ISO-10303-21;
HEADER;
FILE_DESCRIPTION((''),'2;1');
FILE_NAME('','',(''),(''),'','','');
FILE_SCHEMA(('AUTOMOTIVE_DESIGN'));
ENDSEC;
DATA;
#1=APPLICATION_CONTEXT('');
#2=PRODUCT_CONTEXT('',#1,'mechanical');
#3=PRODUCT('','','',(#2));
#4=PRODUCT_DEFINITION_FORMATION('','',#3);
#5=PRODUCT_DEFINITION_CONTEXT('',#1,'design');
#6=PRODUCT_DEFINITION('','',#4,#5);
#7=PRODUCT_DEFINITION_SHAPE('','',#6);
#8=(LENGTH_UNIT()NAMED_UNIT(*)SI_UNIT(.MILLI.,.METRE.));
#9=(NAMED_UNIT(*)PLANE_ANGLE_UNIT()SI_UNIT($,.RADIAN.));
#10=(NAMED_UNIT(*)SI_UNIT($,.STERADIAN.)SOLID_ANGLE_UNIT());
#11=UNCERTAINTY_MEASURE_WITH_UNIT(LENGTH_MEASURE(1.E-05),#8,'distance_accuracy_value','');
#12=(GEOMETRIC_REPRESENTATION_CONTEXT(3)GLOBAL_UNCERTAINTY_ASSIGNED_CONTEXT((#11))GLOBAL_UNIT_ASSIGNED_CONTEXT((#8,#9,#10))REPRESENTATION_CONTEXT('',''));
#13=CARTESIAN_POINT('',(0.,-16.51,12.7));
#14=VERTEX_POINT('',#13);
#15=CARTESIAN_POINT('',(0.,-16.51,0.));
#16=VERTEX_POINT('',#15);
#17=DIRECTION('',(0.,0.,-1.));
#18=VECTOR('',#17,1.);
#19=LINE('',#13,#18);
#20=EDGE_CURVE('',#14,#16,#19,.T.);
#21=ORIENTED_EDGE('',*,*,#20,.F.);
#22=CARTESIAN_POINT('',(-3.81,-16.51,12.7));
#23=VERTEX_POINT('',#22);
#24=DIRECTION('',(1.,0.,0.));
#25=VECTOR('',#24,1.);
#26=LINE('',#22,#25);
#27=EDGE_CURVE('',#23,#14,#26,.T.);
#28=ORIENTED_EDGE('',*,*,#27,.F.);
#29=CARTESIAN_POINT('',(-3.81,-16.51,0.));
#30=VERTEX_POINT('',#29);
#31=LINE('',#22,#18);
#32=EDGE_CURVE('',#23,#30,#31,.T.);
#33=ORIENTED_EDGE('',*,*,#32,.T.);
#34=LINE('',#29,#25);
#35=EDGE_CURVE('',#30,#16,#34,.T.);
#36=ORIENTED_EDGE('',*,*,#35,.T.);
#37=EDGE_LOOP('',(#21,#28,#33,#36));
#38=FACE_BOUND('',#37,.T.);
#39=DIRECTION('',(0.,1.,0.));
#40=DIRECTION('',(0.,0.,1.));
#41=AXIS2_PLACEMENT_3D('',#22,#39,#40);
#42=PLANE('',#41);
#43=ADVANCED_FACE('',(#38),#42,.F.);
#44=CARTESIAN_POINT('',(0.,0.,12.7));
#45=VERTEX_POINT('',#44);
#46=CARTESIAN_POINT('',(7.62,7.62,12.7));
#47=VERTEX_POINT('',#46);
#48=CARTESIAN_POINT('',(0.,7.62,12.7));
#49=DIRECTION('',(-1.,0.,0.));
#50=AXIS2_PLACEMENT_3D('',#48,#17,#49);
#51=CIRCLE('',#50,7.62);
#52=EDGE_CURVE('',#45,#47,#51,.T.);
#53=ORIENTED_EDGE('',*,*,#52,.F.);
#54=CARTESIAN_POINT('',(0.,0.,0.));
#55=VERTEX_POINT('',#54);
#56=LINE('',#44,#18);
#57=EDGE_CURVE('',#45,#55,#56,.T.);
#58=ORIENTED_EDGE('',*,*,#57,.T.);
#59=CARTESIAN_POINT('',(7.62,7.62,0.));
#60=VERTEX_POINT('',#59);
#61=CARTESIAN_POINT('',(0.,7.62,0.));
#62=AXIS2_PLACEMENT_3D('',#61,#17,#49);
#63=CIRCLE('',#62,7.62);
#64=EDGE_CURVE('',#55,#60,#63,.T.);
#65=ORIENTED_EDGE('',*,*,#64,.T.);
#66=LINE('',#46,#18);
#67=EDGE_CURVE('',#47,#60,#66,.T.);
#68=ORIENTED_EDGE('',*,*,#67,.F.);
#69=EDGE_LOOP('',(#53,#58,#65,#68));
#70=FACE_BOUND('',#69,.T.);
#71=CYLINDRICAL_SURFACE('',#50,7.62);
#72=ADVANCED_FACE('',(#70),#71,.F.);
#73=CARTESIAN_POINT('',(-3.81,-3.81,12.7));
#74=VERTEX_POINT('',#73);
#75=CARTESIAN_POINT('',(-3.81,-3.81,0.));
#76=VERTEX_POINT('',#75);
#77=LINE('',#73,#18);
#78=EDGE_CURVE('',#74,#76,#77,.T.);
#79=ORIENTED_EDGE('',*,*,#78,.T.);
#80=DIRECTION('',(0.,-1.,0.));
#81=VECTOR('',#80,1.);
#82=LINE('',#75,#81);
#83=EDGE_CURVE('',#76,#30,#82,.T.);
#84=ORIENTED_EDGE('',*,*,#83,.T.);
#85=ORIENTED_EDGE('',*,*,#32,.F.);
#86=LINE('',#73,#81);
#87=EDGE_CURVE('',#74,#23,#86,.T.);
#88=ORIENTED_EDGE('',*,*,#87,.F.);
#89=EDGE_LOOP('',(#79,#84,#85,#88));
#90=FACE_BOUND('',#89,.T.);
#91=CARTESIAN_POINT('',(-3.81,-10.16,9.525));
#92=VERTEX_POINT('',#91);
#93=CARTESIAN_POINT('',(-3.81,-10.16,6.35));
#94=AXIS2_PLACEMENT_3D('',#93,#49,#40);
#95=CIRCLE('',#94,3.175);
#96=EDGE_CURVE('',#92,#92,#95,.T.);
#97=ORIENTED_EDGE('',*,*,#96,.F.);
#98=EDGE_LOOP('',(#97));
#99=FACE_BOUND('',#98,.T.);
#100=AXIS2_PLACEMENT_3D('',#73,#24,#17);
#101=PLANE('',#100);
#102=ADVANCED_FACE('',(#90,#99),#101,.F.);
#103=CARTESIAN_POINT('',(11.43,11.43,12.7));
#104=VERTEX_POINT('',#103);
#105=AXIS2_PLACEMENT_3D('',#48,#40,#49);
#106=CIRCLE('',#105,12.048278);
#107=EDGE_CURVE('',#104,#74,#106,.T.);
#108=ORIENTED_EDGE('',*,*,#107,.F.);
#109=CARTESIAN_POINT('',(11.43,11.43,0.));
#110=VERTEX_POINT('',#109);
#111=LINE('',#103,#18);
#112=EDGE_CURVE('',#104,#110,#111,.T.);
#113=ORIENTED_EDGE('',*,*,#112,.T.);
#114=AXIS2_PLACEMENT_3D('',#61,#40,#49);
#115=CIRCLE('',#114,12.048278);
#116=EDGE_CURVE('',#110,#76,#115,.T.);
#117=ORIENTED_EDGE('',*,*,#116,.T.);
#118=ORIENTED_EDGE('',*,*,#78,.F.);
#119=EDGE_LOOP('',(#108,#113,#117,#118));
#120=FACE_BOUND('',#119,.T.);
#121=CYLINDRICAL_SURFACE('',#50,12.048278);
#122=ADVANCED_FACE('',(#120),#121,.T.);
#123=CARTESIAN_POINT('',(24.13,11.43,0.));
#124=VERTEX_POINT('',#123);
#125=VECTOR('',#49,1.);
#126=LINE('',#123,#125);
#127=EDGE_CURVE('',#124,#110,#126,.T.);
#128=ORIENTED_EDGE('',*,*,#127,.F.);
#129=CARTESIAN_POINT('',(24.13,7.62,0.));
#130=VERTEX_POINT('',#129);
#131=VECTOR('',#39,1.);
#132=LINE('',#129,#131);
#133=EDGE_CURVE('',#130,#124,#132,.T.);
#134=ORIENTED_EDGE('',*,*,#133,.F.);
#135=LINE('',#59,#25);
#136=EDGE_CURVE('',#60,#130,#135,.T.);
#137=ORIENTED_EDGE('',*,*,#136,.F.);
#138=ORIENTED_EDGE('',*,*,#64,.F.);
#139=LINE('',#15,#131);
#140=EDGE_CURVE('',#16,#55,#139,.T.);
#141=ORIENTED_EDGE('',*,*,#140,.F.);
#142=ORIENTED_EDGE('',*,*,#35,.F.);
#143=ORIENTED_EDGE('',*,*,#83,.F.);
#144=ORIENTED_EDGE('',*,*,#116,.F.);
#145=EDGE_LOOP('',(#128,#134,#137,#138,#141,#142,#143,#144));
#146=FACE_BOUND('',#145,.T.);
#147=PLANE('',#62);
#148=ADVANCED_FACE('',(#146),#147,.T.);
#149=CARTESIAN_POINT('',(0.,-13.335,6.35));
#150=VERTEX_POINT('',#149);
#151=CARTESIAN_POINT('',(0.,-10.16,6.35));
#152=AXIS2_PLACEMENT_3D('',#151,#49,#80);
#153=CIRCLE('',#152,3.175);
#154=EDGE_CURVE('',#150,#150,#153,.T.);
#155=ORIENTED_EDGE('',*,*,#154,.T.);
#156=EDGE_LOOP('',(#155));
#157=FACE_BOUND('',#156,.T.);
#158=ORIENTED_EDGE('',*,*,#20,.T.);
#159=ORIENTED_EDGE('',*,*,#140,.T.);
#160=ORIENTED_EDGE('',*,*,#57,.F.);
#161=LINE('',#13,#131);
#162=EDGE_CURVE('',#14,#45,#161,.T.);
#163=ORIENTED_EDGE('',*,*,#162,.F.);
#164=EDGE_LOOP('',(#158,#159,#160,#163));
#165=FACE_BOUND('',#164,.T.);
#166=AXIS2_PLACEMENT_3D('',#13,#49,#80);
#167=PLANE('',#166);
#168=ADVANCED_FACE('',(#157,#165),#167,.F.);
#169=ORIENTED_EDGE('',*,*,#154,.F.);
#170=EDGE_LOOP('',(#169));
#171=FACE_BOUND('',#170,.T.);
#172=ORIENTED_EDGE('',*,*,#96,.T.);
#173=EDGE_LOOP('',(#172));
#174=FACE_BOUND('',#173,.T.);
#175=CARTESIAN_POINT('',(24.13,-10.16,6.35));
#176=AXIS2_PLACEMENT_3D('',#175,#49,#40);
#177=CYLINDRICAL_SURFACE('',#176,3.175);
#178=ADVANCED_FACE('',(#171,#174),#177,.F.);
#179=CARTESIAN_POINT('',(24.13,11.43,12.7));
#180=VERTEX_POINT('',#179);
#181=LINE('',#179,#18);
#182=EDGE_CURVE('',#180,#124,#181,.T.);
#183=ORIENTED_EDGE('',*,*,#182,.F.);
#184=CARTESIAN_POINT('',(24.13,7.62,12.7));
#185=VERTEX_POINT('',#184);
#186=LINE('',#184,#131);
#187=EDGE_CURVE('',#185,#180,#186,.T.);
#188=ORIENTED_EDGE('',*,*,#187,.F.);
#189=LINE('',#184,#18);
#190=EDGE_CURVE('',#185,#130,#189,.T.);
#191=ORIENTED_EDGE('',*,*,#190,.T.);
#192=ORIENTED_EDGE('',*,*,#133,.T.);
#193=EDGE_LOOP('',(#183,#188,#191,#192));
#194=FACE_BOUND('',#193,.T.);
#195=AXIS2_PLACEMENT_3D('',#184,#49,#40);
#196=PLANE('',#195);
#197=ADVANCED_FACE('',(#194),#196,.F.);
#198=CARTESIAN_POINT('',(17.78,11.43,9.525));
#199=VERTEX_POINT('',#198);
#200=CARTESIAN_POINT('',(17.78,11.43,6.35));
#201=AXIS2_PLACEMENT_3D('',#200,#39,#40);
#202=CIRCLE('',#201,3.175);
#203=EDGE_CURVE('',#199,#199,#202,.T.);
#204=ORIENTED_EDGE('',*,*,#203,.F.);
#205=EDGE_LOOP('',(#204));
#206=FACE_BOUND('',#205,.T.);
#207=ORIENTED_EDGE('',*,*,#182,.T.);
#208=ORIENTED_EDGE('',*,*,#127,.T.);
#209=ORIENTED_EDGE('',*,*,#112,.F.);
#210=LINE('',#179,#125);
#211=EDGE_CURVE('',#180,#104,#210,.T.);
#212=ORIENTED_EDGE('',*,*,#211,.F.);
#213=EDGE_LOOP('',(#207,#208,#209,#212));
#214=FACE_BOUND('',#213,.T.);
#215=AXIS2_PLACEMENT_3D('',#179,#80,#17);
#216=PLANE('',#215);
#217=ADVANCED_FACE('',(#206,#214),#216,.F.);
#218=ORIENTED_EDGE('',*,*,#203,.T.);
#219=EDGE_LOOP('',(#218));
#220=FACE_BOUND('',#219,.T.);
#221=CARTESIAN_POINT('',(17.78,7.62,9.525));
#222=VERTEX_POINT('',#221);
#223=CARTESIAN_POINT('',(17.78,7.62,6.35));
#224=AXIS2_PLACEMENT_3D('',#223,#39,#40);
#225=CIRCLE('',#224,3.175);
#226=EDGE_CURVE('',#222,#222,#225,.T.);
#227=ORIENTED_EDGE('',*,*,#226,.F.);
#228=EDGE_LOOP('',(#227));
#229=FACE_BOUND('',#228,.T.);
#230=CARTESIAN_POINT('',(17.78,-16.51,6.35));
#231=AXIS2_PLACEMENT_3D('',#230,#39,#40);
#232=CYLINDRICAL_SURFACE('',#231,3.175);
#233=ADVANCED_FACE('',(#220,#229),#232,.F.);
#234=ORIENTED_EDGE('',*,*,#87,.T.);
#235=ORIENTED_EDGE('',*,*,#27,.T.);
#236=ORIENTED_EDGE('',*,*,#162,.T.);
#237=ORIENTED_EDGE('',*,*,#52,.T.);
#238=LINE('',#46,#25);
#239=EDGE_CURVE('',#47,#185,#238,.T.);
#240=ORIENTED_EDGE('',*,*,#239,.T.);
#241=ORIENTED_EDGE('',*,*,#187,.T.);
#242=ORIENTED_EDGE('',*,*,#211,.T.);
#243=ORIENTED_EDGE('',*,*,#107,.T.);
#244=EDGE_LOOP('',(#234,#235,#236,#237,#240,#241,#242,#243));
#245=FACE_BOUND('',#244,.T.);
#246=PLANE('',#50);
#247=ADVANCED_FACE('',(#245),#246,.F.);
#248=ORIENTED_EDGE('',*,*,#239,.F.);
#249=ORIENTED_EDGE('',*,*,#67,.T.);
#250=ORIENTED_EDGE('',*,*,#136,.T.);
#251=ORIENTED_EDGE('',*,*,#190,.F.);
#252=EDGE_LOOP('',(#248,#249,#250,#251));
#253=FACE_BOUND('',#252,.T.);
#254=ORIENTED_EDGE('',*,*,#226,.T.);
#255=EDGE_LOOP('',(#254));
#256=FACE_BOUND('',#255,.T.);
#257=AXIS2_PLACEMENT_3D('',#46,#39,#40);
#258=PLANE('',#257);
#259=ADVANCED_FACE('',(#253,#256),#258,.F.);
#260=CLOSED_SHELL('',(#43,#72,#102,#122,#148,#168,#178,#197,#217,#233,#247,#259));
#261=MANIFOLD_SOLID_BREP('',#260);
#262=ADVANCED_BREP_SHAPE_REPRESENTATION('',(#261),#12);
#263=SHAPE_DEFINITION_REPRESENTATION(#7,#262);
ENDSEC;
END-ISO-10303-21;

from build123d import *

# Parameters (mm, degrees)
BOSS_EXTRUDE1_DEPTH = 12.7
SKETCH2_R           = 3.175
CUT_EXTRUDE1_DEPTH  = 40.040882418
SKETCH3_R           = 3.175
CUT_EXTRUDE2_DEPTH  = 37.452362817


with BuildPart() as part:
    # Sketch1 → Boss-Extrude1 (new body)
    with BuildSketch(Plane.XY):
        with BuildLine():
            Line((-3.81, -3.81), (-3.81, -16.51))
            Line((-3.81, -16.51), (0, -16.51))
            Line((0, -16.51), (0, 0))
            ThreePointArc((0, 0), (-5.388153673, 13.008153673), (7.62, 7.62))
            Line((7.62, 7.62), (24.13, 7.62))
            Line((24.13, 7.62), (24.13, 11.43))
            Line((24.13, 11.43), (11.43, 11.43))
            ThreePointArc((11.43, 11.43), (-8.519418994, 16.139418994), (-3.81, -3.81))
        make_face()
    extrude(amount=BOSS_EXTRUDE1_DEPTH)

    # Sketch2 → Cut-Extrude1 (cut, through all)
    with BuildSketch(Plane(origin=(0, 11.43, 0), x_dir=(1, 0, 0), z_dir=(0, 1, 0))):
        with Locations(Location((17.78, -6.35, 0), (0, 0, 270))):
            Circle(SKETCH2_R)
    extrude(amount=-CUT_EXTRUDE1_DEPTH, mode=Mode.SUBTRACT)

    # Sketch3 → Cut-Extrude2 (cut, through all)
    with BuildSketch(Plane.ZY.offset(3.81)):
        with Locations((6.35, -10.16)):
            Circle(SKETCH3_R)
    extrude(amount=-CUT_EXTRUDE2_DEPTH, mode=Mode.SUBTRACT)


solid = part.part
